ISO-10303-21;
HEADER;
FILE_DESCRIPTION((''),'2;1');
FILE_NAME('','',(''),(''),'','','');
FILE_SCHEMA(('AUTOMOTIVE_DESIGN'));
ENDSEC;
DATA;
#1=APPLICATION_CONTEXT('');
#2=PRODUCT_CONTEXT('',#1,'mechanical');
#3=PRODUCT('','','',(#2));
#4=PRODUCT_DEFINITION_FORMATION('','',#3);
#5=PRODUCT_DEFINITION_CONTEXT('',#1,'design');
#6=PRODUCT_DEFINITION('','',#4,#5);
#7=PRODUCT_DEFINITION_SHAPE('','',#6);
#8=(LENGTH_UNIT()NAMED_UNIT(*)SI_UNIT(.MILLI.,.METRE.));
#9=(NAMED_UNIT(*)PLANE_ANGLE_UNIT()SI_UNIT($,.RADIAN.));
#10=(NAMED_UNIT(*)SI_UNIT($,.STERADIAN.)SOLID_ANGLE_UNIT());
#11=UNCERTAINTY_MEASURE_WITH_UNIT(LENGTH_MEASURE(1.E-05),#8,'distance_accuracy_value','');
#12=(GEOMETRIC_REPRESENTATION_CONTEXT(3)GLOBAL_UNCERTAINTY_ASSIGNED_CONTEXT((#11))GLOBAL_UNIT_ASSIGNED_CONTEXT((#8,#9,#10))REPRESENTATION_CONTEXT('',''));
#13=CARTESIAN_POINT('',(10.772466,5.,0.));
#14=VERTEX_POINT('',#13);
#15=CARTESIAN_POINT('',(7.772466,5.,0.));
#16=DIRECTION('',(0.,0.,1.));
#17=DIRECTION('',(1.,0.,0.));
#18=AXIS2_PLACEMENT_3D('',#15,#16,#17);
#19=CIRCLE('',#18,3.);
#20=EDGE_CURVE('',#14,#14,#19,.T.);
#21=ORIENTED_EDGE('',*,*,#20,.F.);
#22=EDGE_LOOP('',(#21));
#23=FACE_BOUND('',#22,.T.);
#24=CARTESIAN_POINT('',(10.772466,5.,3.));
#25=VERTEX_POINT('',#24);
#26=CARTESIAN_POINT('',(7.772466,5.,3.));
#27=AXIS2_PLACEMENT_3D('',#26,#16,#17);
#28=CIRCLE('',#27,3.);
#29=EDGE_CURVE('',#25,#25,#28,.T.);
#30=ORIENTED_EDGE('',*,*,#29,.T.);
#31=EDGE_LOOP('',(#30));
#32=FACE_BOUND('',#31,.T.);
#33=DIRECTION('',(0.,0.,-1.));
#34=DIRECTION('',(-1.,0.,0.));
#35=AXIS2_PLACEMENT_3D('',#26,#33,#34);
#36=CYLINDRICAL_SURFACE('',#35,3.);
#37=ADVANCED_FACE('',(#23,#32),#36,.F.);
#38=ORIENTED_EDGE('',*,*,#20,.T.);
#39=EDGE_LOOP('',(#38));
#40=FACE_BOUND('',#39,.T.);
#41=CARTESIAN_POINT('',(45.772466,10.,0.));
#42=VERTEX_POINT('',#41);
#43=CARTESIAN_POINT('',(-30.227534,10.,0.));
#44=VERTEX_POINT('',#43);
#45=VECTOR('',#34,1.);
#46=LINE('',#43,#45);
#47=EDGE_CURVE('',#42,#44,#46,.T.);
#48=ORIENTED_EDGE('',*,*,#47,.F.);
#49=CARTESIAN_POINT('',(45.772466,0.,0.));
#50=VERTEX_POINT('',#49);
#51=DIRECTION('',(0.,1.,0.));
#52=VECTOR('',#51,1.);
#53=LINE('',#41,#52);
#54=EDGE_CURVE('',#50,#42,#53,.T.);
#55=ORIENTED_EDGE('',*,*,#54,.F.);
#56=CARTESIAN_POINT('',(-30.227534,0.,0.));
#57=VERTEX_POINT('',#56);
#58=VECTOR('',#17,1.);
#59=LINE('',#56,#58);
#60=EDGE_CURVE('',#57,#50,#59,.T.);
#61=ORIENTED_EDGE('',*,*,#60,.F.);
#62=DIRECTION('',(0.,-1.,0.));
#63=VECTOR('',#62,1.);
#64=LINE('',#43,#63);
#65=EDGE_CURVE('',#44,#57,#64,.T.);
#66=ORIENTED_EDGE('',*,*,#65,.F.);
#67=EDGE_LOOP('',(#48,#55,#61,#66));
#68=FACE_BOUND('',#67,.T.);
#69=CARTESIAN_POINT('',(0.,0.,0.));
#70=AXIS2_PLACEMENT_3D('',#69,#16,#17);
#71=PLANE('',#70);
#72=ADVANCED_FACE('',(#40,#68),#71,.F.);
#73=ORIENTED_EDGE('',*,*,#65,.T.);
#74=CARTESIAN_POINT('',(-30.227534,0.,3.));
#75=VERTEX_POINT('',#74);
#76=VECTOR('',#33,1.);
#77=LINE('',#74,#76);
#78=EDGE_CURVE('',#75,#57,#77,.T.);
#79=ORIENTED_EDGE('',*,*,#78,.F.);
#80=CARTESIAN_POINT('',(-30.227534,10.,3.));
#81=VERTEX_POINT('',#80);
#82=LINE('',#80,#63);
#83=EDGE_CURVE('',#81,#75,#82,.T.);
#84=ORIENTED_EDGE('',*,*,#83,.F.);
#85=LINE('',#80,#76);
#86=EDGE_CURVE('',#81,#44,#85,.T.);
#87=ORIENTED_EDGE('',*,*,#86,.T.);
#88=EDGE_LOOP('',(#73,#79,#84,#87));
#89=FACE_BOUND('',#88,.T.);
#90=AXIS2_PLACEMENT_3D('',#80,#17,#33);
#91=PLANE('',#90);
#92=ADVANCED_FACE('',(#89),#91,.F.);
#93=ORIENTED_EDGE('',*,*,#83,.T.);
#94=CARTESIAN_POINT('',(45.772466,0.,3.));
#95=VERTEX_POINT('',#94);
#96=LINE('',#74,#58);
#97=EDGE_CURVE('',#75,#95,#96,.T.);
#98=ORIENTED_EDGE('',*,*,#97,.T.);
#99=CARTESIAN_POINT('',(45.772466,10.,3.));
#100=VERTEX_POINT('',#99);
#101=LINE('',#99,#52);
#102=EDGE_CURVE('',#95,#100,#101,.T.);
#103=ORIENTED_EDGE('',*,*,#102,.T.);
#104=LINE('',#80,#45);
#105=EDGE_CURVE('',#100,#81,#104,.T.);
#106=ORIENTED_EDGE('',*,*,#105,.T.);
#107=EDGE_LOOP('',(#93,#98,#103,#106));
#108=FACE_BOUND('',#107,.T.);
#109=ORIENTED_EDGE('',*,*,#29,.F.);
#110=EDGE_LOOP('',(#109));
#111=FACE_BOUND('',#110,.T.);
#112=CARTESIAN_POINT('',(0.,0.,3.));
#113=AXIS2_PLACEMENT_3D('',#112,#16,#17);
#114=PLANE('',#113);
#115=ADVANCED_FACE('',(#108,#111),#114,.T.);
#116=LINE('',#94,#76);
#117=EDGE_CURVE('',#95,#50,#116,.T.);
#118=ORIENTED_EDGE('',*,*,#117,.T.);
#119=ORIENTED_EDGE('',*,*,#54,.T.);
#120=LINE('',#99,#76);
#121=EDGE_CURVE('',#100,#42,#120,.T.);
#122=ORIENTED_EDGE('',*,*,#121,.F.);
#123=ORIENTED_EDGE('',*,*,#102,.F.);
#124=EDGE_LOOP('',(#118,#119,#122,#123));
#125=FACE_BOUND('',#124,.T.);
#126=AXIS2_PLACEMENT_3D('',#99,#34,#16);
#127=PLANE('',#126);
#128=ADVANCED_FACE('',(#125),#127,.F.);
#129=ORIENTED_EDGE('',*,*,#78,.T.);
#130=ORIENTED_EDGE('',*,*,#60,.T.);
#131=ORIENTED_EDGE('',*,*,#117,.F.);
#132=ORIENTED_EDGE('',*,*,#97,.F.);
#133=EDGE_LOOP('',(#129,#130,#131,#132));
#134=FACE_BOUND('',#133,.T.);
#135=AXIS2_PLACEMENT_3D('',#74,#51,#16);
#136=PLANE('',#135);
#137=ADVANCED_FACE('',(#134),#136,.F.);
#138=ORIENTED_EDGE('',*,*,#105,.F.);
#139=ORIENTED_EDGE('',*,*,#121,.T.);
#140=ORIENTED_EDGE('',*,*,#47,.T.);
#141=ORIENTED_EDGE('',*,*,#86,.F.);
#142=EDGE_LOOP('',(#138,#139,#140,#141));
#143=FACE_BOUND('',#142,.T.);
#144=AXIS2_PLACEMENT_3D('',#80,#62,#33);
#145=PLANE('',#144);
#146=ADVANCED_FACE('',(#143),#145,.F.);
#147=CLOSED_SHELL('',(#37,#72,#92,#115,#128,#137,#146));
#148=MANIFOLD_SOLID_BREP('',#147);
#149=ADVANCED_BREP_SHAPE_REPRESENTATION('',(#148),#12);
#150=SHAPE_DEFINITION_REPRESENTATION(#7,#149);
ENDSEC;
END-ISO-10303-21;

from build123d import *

# Parameters (mm, degrees)
SKETCH1_W           = 76
SKETCH1_H           = 10
SKETCH1_R           = 3
BOSS_EXTRUDE2_DEPTH = 3


with BuildPart() as part:
    # Sketch1 → Boss-Extrude2 (new body)
    with BuildSketch(Plane.XY):
        with Locations((7.772465562, 5)):
            Rectangle(SKETCH1_W, SKETCH1_H)
        with Locations((7.772465562, 5)):
            Circle(SKETCH1_R, mode=Mode.SUBTRACT)
    extrude(amount=BOSS_EXTRUDE2_DEPTH)


solid = part.part
